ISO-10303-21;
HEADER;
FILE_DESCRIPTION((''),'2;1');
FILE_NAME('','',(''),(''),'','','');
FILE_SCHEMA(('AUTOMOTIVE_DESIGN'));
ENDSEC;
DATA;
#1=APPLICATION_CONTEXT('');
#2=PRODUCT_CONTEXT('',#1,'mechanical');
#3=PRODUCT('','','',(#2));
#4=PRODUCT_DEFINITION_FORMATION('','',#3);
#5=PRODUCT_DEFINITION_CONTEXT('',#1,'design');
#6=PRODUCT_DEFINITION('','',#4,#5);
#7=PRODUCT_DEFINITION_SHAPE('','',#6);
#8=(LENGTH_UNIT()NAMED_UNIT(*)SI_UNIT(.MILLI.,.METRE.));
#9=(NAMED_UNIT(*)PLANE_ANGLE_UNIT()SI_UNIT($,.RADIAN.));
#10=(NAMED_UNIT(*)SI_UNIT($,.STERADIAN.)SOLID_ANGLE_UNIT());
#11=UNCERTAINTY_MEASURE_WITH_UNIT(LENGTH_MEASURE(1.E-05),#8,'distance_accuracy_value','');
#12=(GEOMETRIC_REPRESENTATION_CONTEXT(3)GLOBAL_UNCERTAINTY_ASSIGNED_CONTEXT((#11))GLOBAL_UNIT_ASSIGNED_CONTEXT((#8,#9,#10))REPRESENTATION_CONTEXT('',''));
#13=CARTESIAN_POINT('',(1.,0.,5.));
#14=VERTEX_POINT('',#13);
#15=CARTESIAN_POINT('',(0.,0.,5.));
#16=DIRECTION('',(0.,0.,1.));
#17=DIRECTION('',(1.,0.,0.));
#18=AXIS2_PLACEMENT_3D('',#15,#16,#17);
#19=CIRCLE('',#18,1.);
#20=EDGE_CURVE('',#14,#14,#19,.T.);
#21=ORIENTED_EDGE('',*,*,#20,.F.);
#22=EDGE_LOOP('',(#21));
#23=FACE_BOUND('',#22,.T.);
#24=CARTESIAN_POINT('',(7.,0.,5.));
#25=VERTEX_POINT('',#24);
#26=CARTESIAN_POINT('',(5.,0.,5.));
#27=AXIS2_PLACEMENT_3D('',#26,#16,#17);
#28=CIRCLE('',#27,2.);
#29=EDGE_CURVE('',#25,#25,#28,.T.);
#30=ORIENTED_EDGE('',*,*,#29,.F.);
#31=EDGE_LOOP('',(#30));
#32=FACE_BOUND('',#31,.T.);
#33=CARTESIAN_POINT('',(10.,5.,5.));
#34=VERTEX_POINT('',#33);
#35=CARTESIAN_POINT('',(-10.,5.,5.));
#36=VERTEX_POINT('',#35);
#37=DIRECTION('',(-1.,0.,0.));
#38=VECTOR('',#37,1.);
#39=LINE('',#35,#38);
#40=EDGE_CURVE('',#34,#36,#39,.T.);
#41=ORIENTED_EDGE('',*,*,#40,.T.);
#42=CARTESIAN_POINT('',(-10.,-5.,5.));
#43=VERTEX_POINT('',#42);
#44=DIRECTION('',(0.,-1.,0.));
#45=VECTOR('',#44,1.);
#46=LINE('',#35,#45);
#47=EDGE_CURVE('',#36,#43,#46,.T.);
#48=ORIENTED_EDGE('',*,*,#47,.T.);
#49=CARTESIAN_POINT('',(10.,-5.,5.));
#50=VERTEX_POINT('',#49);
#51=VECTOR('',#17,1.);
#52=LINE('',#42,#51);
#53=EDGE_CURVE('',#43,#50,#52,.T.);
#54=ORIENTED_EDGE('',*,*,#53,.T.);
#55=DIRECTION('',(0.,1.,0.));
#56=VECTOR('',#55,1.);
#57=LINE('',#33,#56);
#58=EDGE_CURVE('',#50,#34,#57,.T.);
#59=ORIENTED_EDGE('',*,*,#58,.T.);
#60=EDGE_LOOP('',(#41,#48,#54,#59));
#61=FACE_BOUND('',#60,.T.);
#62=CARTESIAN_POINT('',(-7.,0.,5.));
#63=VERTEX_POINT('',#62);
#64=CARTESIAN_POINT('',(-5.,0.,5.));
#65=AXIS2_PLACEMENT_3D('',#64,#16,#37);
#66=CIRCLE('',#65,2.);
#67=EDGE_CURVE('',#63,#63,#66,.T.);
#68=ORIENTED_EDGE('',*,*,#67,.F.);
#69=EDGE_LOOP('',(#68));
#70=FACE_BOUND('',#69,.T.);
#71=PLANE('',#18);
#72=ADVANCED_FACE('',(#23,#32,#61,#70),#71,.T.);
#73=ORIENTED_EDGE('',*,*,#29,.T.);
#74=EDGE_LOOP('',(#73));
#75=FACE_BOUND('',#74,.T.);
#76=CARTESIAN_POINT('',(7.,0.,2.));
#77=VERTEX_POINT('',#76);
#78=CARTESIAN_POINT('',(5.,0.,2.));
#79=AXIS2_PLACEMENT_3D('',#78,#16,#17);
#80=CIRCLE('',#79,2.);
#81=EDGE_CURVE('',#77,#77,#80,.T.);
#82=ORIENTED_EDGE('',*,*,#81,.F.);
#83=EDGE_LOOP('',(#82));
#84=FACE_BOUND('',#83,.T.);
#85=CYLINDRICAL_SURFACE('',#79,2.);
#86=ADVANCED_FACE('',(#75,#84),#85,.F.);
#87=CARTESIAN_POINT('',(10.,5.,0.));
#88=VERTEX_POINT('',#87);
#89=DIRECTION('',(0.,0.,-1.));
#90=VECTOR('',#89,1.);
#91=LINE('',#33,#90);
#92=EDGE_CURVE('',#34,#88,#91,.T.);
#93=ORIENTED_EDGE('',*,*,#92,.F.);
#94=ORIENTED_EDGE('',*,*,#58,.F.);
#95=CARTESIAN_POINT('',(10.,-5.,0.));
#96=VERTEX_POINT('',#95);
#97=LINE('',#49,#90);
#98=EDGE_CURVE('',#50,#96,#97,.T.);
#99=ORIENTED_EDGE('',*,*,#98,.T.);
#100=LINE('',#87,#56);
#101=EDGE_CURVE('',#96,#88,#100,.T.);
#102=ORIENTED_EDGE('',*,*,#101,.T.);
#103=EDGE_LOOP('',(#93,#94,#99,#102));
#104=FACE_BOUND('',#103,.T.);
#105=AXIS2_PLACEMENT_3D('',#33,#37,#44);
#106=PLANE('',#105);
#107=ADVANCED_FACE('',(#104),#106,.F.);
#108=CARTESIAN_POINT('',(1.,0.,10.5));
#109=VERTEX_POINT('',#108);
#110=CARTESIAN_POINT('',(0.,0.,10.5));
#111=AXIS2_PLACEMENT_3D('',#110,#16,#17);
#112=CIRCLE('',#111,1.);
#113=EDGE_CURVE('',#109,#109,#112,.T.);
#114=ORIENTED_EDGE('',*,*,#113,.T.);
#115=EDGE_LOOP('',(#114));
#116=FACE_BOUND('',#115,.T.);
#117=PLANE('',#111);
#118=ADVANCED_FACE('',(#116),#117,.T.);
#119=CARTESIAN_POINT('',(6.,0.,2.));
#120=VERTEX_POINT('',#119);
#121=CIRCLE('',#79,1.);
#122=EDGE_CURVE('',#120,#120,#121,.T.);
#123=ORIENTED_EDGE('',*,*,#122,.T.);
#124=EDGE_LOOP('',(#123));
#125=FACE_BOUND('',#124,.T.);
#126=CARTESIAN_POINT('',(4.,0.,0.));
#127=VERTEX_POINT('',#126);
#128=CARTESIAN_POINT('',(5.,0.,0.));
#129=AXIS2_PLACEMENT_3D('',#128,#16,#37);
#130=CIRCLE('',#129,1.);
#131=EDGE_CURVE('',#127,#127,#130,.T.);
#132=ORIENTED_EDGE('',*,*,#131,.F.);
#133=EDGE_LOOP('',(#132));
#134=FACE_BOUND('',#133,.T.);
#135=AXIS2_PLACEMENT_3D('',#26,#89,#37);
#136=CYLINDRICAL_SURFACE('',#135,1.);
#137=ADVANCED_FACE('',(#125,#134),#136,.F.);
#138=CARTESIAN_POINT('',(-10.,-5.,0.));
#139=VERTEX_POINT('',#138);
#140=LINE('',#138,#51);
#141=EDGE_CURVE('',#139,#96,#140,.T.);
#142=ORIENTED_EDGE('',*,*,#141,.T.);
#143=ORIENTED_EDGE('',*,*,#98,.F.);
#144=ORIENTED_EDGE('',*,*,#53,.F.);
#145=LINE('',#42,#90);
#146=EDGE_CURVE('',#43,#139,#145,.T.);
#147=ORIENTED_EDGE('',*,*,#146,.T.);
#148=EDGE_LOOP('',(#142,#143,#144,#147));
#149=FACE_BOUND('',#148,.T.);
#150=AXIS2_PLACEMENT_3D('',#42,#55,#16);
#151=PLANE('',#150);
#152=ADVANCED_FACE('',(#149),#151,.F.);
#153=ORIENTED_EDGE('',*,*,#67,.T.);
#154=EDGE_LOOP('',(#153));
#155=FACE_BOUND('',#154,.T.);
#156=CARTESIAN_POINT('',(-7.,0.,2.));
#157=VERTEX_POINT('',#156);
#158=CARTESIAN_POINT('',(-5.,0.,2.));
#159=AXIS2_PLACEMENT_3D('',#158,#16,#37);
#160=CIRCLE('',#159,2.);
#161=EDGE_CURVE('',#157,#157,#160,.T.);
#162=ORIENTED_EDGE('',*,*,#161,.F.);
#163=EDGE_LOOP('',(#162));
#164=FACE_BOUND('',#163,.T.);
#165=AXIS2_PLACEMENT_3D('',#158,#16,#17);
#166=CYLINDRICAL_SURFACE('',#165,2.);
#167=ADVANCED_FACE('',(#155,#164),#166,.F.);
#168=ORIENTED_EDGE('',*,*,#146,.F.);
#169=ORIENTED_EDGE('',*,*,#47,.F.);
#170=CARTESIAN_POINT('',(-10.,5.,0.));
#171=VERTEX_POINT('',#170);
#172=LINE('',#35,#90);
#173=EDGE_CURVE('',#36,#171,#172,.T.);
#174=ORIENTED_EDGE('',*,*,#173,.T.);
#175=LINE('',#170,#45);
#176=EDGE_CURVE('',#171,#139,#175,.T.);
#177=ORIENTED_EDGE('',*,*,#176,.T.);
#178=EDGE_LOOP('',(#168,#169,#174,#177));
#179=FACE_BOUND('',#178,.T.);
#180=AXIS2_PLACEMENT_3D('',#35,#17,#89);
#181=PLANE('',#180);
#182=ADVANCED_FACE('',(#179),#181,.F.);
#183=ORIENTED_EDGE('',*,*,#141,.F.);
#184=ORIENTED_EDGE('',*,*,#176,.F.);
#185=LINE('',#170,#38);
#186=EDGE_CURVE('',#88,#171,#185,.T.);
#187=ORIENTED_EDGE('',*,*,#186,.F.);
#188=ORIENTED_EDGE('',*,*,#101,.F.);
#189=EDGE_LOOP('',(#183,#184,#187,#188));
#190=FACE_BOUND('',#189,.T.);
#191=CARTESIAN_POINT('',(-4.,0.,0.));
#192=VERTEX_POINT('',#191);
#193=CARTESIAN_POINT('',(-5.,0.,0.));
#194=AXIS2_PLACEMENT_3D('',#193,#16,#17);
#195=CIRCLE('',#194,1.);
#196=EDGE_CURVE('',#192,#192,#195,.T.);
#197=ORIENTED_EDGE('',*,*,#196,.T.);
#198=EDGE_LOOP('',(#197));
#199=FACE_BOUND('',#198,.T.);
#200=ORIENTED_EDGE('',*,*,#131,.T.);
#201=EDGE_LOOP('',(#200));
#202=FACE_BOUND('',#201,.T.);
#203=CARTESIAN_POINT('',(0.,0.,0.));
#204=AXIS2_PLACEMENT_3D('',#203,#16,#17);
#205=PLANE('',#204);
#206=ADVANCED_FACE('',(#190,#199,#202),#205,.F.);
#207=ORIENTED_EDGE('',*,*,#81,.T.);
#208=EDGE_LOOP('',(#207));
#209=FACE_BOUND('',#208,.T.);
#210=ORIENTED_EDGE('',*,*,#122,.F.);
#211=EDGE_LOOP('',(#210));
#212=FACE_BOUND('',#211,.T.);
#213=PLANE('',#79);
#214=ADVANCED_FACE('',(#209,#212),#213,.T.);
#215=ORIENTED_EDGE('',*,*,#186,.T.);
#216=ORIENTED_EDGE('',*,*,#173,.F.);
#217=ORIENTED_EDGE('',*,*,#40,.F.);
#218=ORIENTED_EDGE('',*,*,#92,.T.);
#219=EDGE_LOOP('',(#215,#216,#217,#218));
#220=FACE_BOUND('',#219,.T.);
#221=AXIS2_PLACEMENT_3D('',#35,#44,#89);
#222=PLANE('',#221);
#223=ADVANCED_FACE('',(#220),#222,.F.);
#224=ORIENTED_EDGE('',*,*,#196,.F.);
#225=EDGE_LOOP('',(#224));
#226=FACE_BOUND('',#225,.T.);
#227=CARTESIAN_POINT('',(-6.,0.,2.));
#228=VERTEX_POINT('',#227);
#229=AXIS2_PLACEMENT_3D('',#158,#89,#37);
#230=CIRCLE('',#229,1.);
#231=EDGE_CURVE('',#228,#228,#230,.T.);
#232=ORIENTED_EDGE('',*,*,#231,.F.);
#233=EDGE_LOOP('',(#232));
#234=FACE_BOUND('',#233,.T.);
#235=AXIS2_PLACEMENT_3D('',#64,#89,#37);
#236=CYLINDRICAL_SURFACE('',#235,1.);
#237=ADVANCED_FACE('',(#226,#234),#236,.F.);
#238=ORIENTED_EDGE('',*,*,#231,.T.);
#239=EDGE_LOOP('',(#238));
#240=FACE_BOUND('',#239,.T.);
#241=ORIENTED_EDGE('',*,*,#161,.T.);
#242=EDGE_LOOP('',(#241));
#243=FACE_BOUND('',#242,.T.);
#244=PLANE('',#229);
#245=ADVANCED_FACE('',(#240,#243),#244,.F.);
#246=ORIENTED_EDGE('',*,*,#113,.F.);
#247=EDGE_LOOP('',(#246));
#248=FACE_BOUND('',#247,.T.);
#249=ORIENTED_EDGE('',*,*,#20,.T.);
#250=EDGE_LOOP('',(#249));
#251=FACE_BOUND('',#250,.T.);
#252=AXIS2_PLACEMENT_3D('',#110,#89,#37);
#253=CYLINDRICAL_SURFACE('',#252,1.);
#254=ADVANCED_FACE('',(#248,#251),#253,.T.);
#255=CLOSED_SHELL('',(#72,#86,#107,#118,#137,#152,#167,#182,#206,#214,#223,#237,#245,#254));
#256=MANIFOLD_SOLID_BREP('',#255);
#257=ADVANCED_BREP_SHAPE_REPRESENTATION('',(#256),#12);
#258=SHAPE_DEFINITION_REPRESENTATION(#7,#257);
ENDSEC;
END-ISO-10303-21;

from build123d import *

# Parameters (mm, degrees)
SKETCH_1_W          = 20
SKETCH_1_H          = 10
SKETCH_1_R          = 1
EXTRUDE_1_DEPTH     = 5
SKETCH_2_R          = 1
EXTRUDE_2_DEPTH     = 5.5
SKETCH_4_R          = 2
CUT_EXTRUDE_2_DEPTH = 3


with BuildPart() as part:
    # 草图1 → 凸台-拉伸1 (new body)
    with BuildSketch(Plane.XY):
        Rectangle(SKETCH_1_W, SKETCH_1_H)
        with Locations((-5, 0)):
            Circle(SKETCH_1_R, mode=Mode.SUBTRACT)
        with Locations((5, 0)):
            Circle(SKETCH_1_R, mode=Mode.SUBTRACT)
    extrude(amount=EXTRUDE_1_DEPTH)

    # 草图2 → 凸台-拉伸2 (add)
    with BuildSketch(Plane.XY.offset(5)):
        Circle(SKETCH_2_R)
    extrude(amount=EXTRUDE_2_DEPTH)

    # 草图4 → 切除-拉伸2 (cut)
    with BuildSketch(Plane.XY.offset(5)):
        with Locations((5, 0)):
            Circle(SKETCH_4_R)
        with Locations((-5, 0)):
            Circle(SKETCH_4_R)
    extrude(amount=-CUT_EXTRUDE_2_DEPTH, mode=Mode.SUBTRACT)


solid = part.part
